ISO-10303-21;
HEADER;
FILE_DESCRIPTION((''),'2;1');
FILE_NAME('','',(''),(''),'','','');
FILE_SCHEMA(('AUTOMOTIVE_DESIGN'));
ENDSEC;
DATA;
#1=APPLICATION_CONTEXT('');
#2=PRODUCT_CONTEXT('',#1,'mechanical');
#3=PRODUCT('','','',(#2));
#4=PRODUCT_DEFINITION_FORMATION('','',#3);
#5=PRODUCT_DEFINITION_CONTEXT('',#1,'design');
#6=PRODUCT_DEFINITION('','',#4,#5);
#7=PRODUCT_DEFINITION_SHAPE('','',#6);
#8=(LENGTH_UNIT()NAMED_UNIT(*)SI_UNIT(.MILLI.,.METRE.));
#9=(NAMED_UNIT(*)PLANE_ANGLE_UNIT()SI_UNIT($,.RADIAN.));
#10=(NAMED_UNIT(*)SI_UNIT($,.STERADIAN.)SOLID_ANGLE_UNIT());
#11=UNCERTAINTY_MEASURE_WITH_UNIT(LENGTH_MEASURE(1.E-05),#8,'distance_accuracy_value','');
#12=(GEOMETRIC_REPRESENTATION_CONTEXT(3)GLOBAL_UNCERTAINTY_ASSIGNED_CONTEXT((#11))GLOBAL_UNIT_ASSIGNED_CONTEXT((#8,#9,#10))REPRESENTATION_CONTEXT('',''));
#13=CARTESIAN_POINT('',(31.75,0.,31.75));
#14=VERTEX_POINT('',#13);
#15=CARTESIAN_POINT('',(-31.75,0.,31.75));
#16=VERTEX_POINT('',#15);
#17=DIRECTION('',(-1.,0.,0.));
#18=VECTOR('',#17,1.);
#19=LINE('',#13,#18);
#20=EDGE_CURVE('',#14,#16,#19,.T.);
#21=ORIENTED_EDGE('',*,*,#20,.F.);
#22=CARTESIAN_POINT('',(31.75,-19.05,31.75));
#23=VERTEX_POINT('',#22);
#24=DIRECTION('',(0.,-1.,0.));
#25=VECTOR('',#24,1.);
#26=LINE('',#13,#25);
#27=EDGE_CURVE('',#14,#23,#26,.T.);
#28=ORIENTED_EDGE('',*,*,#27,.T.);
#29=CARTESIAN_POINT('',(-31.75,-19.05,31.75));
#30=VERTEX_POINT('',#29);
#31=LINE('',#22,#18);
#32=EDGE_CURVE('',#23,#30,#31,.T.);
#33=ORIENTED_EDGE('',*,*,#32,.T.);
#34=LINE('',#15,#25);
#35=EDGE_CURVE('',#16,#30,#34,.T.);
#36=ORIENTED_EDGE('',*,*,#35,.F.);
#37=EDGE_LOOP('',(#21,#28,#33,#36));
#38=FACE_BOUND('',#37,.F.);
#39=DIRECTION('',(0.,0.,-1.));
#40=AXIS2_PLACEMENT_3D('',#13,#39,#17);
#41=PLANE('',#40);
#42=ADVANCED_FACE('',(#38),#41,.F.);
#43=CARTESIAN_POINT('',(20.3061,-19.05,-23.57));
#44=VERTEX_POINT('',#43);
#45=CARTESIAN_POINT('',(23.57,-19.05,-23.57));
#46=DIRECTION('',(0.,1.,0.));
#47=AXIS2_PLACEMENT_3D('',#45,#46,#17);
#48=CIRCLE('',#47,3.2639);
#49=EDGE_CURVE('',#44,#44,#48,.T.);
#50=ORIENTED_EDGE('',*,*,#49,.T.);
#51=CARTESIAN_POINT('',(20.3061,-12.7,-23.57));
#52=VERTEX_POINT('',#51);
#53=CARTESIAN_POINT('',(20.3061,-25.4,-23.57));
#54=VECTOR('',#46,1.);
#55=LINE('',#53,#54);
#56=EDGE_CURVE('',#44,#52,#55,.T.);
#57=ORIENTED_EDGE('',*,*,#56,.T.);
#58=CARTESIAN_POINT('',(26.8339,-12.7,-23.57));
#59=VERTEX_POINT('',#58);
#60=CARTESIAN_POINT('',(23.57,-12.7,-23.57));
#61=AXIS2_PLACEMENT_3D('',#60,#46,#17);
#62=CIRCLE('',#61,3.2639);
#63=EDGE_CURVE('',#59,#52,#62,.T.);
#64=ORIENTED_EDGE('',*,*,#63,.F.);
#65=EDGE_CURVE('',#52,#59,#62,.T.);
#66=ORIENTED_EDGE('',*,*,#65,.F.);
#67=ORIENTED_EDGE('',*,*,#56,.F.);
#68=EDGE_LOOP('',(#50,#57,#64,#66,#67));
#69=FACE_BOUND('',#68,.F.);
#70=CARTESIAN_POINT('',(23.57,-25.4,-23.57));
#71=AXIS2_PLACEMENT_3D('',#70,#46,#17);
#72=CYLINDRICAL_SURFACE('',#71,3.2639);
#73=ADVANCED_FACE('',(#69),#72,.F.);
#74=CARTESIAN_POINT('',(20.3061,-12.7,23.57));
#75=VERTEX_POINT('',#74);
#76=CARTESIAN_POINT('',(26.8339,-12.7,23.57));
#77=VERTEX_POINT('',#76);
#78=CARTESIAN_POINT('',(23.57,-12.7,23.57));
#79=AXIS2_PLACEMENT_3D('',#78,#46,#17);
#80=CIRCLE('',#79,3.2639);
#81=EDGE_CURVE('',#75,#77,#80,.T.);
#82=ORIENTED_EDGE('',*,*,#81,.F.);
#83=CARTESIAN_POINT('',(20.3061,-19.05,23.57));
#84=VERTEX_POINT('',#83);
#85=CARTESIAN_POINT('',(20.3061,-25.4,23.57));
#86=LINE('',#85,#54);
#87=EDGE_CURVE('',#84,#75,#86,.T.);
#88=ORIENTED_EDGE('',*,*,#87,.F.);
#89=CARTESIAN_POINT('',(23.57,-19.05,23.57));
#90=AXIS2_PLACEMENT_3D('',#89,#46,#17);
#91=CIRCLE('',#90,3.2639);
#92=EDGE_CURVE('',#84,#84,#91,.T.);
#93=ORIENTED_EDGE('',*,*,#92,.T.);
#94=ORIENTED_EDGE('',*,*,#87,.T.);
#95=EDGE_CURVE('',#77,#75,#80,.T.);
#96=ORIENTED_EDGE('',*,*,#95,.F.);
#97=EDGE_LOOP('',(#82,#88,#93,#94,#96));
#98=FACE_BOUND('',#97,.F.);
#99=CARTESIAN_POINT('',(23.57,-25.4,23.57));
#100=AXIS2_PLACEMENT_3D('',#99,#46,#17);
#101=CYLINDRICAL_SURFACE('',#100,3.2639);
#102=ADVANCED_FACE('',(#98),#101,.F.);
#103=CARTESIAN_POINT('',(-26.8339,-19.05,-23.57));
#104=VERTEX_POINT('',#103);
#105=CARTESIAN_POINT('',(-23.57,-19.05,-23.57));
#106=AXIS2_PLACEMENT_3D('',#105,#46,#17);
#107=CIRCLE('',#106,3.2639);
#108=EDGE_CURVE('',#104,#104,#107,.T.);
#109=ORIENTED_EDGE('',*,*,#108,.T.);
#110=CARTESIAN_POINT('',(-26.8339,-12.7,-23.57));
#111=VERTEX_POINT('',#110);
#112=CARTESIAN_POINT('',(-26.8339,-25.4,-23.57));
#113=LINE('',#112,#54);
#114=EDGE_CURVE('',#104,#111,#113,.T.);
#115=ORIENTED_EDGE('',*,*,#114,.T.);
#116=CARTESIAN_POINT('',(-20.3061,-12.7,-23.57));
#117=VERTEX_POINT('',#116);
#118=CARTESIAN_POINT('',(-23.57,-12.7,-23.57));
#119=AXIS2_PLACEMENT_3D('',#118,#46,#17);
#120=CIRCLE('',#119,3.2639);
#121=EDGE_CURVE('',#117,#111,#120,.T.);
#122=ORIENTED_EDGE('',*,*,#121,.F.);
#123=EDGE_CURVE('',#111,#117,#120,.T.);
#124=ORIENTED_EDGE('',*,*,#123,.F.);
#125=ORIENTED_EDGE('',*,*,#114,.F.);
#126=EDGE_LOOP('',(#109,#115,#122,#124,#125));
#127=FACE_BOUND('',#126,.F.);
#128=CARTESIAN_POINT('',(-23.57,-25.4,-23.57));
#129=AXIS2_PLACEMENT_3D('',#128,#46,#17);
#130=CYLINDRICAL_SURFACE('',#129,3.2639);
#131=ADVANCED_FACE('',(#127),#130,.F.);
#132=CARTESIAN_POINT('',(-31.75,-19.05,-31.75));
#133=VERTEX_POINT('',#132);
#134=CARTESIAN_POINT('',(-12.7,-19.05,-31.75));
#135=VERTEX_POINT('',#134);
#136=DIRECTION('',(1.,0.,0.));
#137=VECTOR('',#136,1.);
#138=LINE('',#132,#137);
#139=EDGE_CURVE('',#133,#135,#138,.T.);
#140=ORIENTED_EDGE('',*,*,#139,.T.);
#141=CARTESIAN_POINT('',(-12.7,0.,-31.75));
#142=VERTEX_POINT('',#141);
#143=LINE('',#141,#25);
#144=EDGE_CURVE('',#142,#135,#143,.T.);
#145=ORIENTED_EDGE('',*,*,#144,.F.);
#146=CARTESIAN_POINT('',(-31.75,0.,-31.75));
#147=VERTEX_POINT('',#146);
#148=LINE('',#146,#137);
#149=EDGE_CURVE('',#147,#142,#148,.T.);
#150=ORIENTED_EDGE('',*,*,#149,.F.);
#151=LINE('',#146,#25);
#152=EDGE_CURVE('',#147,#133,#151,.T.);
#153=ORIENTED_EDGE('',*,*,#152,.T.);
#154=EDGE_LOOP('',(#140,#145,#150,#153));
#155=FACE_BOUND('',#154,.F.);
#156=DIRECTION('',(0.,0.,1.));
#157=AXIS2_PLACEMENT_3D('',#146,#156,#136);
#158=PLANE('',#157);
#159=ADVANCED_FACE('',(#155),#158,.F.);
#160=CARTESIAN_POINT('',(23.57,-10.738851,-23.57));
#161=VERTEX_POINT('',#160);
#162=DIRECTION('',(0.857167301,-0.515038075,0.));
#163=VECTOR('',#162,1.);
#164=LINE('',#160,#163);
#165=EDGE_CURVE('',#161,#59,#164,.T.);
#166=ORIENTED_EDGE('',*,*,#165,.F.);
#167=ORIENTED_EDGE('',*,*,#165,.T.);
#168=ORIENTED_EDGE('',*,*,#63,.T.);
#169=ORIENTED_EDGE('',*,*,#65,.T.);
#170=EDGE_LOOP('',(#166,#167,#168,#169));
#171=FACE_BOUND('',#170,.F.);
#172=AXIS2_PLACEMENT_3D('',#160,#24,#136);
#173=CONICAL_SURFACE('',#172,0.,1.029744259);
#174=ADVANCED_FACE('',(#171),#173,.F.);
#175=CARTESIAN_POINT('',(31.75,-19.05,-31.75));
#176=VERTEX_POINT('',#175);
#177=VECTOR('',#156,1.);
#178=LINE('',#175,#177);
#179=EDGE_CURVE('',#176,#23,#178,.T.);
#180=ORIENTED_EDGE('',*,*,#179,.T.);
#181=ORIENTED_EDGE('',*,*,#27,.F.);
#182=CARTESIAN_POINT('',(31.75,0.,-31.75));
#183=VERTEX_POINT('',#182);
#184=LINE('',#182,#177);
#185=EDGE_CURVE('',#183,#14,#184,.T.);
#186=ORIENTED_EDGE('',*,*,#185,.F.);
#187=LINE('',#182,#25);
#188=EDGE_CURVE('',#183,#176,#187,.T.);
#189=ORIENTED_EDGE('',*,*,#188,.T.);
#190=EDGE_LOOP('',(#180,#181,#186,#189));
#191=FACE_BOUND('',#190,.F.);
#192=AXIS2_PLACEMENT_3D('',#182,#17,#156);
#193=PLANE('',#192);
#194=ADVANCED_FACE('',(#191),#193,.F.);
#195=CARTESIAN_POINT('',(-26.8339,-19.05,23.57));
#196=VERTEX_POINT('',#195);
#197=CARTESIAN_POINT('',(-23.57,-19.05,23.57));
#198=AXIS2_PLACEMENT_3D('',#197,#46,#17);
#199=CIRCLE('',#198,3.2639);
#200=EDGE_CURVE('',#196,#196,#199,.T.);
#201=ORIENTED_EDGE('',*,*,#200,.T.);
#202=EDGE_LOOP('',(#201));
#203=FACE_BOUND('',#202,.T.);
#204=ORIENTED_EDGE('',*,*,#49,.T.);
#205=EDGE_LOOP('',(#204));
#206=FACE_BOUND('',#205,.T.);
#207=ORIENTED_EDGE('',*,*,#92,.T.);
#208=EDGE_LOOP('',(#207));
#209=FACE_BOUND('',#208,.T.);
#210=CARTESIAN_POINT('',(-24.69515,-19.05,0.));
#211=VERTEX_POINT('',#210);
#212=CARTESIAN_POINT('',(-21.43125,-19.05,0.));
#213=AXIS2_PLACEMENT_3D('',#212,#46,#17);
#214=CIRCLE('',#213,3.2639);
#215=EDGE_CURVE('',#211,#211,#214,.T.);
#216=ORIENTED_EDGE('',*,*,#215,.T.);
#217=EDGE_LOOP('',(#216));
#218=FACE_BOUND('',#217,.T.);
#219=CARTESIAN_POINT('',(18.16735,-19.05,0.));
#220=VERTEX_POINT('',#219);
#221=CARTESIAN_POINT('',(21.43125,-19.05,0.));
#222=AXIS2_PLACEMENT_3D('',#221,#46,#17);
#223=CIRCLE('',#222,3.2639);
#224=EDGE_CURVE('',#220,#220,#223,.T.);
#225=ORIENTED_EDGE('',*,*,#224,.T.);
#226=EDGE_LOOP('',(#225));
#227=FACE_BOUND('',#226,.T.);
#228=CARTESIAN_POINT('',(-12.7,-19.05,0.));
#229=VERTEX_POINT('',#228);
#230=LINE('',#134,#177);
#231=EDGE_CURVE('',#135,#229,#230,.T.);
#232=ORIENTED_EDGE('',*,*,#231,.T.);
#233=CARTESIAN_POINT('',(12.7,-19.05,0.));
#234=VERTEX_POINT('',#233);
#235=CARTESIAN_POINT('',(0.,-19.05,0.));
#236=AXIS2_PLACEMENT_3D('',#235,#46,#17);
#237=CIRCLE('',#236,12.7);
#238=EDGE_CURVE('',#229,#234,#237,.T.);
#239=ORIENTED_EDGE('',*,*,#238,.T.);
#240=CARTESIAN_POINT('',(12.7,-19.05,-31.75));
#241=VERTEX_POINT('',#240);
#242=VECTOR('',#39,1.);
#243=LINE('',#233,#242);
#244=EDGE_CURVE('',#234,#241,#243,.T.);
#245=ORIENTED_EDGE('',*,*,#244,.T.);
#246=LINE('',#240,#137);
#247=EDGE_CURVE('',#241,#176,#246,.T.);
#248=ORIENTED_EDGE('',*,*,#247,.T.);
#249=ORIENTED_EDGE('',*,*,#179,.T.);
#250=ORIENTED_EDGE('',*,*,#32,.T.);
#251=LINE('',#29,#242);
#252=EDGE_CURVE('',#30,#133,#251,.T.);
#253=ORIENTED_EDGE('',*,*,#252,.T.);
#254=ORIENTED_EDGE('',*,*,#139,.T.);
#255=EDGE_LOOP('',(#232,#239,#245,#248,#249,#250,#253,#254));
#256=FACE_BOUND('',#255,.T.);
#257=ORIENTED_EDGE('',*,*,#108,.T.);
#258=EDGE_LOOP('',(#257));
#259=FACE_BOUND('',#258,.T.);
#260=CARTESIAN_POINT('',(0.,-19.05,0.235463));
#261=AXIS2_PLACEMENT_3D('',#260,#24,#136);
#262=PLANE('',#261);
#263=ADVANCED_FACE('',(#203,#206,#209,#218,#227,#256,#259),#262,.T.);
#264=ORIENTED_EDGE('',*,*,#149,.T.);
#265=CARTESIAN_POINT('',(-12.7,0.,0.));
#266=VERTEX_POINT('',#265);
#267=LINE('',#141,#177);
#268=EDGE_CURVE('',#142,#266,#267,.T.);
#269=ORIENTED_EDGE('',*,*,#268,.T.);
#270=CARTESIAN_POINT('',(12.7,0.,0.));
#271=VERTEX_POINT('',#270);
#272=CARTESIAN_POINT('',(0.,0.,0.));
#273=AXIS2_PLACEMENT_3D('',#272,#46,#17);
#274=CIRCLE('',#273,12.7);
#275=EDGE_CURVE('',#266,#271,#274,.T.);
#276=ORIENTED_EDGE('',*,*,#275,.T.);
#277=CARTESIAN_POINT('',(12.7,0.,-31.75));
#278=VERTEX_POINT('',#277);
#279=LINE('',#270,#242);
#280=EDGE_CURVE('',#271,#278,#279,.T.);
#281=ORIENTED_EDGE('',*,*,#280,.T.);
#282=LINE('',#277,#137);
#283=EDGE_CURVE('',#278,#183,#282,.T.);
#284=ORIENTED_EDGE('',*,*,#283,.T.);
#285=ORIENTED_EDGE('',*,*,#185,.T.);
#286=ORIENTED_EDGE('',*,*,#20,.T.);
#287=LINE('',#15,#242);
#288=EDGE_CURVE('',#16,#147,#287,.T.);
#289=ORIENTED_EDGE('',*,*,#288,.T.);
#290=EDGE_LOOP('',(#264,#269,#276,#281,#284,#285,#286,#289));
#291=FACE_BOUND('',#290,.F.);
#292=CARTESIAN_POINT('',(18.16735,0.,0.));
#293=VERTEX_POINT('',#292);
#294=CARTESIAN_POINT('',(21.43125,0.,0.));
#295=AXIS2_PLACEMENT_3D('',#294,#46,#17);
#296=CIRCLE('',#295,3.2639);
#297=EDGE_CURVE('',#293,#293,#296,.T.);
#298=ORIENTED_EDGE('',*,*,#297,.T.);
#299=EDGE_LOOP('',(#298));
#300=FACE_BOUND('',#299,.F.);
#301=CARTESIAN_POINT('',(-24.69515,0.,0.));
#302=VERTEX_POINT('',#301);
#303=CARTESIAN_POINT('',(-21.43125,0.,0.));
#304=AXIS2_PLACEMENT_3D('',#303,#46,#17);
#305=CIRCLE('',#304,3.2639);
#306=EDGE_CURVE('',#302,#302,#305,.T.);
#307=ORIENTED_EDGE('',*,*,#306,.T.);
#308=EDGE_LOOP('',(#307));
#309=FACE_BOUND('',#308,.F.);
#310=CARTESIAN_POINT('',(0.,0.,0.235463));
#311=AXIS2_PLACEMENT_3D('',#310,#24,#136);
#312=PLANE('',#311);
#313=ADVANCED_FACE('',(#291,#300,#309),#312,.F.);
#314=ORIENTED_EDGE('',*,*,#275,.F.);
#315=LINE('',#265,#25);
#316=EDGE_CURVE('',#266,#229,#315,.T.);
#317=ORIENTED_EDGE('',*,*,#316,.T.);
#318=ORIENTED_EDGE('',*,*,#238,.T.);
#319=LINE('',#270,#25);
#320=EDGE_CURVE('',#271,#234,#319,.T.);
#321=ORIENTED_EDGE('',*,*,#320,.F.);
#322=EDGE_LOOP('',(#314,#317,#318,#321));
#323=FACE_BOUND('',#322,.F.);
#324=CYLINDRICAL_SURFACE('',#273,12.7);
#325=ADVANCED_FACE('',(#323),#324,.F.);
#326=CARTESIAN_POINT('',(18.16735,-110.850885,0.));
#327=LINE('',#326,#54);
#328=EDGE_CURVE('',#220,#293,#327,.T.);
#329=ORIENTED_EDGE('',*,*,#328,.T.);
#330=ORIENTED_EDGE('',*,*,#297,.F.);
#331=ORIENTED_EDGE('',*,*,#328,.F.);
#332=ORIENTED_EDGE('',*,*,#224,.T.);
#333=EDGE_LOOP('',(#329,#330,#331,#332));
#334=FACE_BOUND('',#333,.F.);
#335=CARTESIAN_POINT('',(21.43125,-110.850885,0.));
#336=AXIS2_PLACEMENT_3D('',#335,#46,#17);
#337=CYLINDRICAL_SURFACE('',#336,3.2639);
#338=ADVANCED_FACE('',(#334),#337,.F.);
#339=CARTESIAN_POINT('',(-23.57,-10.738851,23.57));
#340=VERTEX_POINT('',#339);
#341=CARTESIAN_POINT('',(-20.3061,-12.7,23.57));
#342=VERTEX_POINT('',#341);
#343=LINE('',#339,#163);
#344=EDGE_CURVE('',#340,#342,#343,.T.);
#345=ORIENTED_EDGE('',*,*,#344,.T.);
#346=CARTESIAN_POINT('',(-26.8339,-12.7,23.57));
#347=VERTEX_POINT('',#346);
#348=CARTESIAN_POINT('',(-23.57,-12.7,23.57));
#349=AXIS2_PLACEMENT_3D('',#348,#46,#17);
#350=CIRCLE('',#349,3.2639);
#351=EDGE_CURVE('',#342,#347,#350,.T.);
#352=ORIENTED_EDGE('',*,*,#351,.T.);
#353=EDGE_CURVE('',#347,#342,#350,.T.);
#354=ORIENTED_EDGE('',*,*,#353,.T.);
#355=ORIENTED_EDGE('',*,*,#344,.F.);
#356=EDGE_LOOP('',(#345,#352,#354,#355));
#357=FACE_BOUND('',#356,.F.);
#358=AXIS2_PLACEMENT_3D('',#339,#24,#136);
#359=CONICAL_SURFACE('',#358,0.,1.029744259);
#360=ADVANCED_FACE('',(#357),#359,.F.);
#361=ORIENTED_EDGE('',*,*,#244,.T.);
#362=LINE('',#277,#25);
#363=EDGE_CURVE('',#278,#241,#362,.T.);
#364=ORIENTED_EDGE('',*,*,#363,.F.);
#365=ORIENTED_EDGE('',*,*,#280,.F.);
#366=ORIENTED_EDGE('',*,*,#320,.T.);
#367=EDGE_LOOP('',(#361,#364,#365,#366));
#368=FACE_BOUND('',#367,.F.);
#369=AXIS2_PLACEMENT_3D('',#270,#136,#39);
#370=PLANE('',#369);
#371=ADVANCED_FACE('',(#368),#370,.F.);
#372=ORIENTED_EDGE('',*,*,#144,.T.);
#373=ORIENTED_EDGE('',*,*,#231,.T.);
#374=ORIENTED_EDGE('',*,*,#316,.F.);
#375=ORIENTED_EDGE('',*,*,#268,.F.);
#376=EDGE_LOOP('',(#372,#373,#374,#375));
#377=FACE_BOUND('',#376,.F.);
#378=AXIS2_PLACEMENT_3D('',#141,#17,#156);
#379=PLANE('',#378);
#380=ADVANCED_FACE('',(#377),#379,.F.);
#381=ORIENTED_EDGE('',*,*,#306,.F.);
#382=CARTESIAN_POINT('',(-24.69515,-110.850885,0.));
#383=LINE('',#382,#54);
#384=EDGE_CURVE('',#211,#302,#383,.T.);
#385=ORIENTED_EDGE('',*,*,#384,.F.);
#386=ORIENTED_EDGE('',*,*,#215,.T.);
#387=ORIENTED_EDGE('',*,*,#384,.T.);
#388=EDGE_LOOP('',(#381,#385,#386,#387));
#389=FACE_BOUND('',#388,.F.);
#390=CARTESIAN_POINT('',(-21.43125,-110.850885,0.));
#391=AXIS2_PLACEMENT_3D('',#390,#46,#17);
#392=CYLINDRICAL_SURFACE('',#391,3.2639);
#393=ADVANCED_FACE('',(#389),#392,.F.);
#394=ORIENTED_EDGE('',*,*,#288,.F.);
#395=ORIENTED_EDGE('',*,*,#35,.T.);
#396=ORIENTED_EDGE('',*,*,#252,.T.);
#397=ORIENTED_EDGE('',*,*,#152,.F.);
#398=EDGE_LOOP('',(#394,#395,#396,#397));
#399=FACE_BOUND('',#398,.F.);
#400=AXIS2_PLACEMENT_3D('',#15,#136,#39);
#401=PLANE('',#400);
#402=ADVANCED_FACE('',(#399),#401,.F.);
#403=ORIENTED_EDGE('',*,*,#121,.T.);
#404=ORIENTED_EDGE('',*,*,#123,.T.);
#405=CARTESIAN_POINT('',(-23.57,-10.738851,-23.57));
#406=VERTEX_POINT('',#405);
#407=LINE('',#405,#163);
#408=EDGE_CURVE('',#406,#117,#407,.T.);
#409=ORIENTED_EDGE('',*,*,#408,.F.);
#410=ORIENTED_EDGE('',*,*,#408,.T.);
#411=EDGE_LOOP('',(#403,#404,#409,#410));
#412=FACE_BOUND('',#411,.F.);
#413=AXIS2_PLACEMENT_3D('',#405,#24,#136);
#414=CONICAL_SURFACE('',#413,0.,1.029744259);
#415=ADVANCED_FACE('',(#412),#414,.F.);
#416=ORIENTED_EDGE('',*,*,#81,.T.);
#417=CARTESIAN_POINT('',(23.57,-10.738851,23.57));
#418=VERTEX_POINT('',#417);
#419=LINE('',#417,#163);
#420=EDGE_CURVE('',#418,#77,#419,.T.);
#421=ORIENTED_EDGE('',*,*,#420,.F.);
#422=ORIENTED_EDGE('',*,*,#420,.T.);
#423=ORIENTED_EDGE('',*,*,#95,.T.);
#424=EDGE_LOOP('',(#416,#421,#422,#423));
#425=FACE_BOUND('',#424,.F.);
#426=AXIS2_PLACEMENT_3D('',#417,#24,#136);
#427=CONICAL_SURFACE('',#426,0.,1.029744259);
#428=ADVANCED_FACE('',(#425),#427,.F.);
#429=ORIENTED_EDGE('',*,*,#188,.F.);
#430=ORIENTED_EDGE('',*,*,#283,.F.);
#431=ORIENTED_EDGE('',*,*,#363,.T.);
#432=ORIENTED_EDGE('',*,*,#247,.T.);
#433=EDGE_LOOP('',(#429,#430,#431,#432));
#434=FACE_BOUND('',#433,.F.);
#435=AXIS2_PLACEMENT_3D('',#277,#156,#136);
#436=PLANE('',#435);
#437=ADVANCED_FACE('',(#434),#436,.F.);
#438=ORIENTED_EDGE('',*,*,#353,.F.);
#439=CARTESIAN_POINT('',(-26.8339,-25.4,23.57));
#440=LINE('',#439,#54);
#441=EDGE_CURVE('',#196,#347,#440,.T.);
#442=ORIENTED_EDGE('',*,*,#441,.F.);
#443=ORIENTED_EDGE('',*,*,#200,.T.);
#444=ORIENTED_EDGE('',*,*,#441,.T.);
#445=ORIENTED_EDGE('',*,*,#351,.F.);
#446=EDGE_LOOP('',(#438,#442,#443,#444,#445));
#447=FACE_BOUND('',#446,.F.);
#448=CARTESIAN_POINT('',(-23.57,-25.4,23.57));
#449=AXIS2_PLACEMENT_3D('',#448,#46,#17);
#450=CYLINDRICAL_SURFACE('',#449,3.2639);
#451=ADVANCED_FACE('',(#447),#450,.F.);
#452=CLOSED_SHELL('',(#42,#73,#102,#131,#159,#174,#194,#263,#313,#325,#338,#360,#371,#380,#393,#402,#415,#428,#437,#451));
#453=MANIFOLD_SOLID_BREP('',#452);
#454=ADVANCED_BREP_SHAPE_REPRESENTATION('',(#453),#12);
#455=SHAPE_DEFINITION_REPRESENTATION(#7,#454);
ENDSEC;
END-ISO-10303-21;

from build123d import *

# Parameters (mm, degrees)
F1_DEPTH = 19.05
F3_D     = 6.5278
F3_DEPTH = 6.35
F3_TIP   = 1.9611489744
F5_D     = 6.5278


with BuildPart() as f1:
    # F0 (on Front) → F1 (new body)
    with BuildSketch(Plane.XZ):
        with BuildLine():
            Line((31.75, 31.75), (-31.75, 31.75))
            Line((-31.75, 31.75), (-31.75, -31.75))
            Line((-31.75, -31.75), (-12.7, -31.75))
            Line((-12.7, -31.75), (-12.7, 0))
            ThreePointArc((-12.7, 0), (0, 12.7), (12.7, 0))
            Line((12.7, 0), (12.7, -31.75))
            Line((12.7, -31.75), (31.75, -31.75))
            Line((31.75, -31.75), (31.75, 31.75))
        make_face()
    extrude(amount=F1_DEPTH)

    # F3
    with Locations(Plane.XZ.offset(19.05)):
        with Locations((-23.57, 23.57), (-23.57, -23.57), (23.57, -23.57), (23.57, 23.57)):
            Hole(F3_D / 2, depth=F3_DEPTH)
            with Locations((0, 0, -(F3_DEPTH + F3_TIP / 2))):  # 118° drill point
                Cone(0, F3_D / 2, F3_TIP, mode=Mode.SUBTRACT)

    # F5 (through all)
    with Locations(Plane.XZ.offset(19.05)):
        with Locations((-21.43125, 0), (21.43125, 0)):
            Hole(F5_D / 2)


solid = f1.part
